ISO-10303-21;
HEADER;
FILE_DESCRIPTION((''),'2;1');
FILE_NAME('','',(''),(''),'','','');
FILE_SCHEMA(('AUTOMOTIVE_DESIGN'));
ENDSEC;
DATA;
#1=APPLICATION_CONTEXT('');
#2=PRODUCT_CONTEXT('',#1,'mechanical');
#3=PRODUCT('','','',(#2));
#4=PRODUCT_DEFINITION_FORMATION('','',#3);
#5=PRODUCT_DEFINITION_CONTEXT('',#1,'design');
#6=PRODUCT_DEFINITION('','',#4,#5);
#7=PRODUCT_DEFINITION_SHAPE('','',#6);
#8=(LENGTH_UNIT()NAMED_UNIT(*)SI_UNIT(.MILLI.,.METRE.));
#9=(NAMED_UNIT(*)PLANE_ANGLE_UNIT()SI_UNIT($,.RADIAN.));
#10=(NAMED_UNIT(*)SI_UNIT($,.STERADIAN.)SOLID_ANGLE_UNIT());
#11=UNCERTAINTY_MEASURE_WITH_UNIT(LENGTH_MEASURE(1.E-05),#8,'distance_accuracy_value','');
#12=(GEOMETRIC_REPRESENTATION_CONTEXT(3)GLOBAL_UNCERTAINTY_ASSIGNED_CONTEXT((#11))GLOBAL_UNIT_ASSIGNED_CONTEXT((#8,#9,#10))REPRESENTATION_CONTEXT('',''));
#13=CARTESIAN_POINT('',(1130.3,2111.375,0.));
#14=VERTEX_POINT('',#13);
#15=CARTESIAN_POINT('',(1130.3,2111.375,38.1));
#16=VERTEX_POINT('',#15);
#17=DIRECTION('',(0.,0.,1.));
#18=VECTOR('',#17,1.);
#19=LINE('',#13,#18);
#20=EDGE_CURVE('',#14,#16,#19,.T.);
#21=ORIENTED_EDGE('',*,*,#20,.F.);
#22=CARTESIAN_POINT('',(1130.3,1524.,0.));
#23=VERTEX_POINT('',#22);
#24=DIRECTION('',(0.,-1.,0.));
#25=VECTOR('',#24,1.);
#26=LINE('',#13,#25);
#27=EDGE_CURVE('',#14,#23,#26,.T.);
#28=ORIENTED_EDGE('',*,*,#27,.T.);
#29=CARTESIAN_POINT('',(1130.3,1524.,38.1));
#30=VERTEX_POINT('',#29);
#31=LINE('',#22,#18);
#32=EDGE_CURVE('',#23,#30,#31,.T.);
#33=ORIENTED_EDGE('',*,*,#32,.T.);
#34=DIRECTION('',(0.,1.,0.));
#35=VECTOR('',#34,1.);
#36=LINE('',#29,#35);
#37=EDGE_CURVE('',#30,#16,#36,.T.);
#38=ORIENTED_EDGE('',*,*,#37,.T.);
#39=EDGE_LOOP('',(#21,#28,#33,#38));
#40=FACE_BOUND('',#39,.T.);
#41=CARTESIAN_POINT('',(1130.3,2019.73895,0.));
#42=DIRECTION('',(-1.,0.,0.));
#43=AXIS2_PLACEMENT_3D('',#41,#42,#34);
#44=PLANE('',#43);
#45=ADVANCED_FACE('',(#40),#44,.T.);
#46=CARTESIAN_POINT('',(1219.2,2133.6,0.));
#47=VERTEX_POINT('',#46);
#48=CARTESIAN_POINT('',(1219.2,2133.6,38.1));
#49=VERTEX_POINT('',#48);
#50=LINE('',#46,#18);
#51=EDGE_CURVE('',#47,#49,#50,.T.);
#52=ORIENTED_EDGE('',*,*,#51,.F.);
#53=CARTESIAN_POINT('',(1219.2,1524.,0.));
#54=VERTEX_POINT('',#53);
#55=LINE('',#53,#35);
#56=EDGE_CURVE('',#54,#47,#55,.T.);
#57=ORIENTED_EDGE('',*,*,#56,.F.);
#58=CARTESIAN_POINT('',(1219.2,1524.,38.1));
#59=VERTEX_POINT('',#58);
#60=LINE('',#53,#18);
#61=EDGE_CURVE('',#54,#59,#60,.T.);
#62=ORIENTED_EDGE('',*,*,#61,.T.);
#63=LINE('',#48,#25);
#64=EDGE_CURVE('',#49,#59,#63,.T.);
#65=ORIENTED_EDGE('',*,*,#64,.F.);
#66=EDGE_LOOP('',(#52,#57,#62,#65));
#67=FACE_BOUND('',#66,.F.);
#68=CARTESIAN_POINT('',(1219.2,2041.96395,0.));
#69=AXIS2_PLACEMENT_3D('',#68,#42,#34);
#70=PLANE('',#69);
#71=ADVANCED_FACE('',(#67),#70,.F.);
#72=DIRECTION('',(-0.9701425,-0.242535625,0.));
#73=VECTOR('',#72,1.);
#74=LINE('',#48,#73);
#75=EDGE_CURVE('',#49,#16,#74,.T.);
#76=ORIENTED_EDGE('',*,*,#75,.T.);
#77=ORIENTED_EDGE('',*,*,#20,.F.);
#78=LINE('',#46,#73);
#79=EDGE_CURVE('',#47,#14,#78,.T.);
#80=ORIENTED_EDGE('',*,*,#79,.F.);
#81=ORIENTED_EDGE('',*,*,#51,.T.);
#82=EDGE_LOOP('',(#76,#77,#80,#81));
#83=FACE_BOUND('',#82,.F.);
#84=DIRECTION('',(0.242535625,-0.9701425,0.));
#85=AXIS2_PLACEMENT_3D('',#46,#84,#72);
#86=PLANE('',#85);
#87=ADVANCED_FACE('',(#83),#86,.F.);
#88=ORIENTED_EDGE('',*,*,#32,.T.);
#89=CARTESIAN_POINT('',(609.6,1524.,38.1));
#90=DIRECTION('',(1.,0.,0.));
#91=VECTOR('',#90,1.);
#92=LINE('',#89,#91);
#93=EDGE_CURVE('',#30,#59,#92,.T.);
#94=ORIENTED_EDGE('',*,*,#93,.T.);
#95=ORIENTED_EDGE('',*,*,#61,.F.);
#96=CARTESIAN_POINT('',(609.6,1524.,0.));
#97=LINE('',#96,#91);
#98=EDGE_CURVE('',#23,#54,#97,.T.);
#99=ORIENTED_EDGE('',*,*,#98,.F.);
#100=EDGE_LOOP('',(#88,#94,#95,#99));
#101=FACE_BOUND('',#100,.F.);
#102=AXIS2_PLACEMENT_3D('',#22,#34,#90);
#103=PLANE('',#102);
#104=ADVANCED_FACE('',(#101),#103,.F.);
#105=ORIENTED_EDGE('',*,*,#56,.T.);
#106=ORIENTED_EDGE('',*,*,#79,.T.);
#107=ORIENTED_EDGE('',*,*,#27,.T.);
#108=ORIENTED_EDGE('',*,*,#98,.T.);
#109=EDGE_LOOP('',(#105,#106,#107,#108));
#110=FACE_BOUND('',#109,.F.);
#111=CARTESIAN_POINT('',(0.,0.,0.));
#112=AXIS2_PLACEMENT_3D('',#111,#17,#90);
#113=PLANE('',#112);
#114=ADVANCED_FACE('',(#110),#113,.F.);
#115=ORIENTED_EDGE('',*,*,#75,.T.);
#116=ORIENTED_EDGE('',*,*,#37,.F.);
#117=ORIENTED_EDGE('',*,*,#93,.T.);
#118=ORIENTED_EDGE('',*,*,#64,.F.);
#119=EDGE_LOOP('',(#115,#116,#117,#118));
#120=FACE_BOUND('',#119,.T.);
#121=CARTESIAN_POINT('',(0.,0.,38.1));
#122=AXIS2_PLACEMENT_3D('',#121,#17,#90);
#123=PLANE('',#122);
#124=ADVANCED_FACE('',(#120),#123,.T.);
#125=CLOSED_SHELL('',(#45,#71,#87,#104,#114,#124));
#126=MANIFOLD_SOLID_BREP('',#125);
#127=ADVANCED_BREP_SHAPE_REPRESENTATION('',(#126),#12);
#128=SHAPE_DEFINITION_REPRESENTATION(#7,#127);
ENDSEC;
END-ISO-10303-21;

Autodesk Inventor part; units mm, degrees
ref_plane "YZ Plane" through (0, 0, 0) normal (1, 0, 0) x (0, 1, 0)
ref_plane "XZ Plane" through (0, 0, 0) normal (0, 1, 0) x (-1, 0, 0)
ref_plane "XY Plane" through (0, 0, 0) normal (0, 0, 1) x (1, 0, 0)
sketch "Sketch1" plane through (0, 0, 0) normal (0, 0, 1) x (1, 0, 0)
  line L0 (0, 0) -> (1219.2, 0)
  line L1 (0, 0) -> (0, 1524)
  line L2 (0, 1524) -> (0, 1828.8)
  line L3 (0, 1524) -> (609.6, 1524)
  line L4 (609.6, 1524) -> (1219.2, 0)
  line L5 (0, 1828.8) -> (609.6, 1524)
  line L6 (609.6, 1524) -> (1219.2, 1524)
  line L7 (1219.2, 1524) -> (1219.2, 914.4)
  line L8 (1219.2, 914.4) -> (914.4, 914.4)
  line L9 (914.4, 914.4) -> (1219.2, 1524)
  line L10 (914.4, 914.4) -> (880.5333, 846.6667)
  line L11 (1219.2, 1524) -> (1219.2, 2133.6)
  line L12 (1219.2, 2133.6) -> (0, 1828.8)
  line L13 (880.5333, 846.6667) -> (801.0188, 886.424)
  line L14 (1219.2, 1524) -> (1139.6854, 1563.7573)
  line L15 (1139.6854, 1563.7573) -> (801.0188, 886.424)
  line L16 (1219.2, 1524) -> (1130.3, 1524)
  line L17 (1130.3, 1524) -> (1130.3, 2111.375)
  line L18 (1219.2, 2133.6) -> (1240.7614, 2047.3543)
  line L19 (0, 1828.8) -> (21.5614, 1742.5543)
  line L20 (21.5614, 1742.5543) -> (1240.7614, 2047.3543)
  point P0 (1119.8068, 1524)
  point P1 (836.3586, 957.1036)
  point P2 (1219.2, 2041.964)
  point P3 (1130.3, 2019.739)
  dimension "d21" = 1219.2
  dimension "d22" = 1524
  dimension "d23" = 304.8
  dimension "d24" = 609.6
  dimension "d25" = 609.6
  dimension "d26" = 609.6
  dimension "d27" = 304.8
  dimension "d28" = 609.6
  dimension "d29" = 88.9
  dimension "d30" = 88.9
  dimension "d31" = 90
  dimension "d32" = 90
  dimension "d33" = 88.9
  dimension "d34" = 88.9
  dimension "d35" = 88.9
  dimension "d36" = 90
  dimension "d37" = 90
extrude "Extrusion2" add sketch "Sketch1" along normal blind 38.1 contours L12 L11 L20 L17 | L14 L15 L17 L20 L11 | L6 L17 L15 L14
properties part number "S2_2x4x24"
